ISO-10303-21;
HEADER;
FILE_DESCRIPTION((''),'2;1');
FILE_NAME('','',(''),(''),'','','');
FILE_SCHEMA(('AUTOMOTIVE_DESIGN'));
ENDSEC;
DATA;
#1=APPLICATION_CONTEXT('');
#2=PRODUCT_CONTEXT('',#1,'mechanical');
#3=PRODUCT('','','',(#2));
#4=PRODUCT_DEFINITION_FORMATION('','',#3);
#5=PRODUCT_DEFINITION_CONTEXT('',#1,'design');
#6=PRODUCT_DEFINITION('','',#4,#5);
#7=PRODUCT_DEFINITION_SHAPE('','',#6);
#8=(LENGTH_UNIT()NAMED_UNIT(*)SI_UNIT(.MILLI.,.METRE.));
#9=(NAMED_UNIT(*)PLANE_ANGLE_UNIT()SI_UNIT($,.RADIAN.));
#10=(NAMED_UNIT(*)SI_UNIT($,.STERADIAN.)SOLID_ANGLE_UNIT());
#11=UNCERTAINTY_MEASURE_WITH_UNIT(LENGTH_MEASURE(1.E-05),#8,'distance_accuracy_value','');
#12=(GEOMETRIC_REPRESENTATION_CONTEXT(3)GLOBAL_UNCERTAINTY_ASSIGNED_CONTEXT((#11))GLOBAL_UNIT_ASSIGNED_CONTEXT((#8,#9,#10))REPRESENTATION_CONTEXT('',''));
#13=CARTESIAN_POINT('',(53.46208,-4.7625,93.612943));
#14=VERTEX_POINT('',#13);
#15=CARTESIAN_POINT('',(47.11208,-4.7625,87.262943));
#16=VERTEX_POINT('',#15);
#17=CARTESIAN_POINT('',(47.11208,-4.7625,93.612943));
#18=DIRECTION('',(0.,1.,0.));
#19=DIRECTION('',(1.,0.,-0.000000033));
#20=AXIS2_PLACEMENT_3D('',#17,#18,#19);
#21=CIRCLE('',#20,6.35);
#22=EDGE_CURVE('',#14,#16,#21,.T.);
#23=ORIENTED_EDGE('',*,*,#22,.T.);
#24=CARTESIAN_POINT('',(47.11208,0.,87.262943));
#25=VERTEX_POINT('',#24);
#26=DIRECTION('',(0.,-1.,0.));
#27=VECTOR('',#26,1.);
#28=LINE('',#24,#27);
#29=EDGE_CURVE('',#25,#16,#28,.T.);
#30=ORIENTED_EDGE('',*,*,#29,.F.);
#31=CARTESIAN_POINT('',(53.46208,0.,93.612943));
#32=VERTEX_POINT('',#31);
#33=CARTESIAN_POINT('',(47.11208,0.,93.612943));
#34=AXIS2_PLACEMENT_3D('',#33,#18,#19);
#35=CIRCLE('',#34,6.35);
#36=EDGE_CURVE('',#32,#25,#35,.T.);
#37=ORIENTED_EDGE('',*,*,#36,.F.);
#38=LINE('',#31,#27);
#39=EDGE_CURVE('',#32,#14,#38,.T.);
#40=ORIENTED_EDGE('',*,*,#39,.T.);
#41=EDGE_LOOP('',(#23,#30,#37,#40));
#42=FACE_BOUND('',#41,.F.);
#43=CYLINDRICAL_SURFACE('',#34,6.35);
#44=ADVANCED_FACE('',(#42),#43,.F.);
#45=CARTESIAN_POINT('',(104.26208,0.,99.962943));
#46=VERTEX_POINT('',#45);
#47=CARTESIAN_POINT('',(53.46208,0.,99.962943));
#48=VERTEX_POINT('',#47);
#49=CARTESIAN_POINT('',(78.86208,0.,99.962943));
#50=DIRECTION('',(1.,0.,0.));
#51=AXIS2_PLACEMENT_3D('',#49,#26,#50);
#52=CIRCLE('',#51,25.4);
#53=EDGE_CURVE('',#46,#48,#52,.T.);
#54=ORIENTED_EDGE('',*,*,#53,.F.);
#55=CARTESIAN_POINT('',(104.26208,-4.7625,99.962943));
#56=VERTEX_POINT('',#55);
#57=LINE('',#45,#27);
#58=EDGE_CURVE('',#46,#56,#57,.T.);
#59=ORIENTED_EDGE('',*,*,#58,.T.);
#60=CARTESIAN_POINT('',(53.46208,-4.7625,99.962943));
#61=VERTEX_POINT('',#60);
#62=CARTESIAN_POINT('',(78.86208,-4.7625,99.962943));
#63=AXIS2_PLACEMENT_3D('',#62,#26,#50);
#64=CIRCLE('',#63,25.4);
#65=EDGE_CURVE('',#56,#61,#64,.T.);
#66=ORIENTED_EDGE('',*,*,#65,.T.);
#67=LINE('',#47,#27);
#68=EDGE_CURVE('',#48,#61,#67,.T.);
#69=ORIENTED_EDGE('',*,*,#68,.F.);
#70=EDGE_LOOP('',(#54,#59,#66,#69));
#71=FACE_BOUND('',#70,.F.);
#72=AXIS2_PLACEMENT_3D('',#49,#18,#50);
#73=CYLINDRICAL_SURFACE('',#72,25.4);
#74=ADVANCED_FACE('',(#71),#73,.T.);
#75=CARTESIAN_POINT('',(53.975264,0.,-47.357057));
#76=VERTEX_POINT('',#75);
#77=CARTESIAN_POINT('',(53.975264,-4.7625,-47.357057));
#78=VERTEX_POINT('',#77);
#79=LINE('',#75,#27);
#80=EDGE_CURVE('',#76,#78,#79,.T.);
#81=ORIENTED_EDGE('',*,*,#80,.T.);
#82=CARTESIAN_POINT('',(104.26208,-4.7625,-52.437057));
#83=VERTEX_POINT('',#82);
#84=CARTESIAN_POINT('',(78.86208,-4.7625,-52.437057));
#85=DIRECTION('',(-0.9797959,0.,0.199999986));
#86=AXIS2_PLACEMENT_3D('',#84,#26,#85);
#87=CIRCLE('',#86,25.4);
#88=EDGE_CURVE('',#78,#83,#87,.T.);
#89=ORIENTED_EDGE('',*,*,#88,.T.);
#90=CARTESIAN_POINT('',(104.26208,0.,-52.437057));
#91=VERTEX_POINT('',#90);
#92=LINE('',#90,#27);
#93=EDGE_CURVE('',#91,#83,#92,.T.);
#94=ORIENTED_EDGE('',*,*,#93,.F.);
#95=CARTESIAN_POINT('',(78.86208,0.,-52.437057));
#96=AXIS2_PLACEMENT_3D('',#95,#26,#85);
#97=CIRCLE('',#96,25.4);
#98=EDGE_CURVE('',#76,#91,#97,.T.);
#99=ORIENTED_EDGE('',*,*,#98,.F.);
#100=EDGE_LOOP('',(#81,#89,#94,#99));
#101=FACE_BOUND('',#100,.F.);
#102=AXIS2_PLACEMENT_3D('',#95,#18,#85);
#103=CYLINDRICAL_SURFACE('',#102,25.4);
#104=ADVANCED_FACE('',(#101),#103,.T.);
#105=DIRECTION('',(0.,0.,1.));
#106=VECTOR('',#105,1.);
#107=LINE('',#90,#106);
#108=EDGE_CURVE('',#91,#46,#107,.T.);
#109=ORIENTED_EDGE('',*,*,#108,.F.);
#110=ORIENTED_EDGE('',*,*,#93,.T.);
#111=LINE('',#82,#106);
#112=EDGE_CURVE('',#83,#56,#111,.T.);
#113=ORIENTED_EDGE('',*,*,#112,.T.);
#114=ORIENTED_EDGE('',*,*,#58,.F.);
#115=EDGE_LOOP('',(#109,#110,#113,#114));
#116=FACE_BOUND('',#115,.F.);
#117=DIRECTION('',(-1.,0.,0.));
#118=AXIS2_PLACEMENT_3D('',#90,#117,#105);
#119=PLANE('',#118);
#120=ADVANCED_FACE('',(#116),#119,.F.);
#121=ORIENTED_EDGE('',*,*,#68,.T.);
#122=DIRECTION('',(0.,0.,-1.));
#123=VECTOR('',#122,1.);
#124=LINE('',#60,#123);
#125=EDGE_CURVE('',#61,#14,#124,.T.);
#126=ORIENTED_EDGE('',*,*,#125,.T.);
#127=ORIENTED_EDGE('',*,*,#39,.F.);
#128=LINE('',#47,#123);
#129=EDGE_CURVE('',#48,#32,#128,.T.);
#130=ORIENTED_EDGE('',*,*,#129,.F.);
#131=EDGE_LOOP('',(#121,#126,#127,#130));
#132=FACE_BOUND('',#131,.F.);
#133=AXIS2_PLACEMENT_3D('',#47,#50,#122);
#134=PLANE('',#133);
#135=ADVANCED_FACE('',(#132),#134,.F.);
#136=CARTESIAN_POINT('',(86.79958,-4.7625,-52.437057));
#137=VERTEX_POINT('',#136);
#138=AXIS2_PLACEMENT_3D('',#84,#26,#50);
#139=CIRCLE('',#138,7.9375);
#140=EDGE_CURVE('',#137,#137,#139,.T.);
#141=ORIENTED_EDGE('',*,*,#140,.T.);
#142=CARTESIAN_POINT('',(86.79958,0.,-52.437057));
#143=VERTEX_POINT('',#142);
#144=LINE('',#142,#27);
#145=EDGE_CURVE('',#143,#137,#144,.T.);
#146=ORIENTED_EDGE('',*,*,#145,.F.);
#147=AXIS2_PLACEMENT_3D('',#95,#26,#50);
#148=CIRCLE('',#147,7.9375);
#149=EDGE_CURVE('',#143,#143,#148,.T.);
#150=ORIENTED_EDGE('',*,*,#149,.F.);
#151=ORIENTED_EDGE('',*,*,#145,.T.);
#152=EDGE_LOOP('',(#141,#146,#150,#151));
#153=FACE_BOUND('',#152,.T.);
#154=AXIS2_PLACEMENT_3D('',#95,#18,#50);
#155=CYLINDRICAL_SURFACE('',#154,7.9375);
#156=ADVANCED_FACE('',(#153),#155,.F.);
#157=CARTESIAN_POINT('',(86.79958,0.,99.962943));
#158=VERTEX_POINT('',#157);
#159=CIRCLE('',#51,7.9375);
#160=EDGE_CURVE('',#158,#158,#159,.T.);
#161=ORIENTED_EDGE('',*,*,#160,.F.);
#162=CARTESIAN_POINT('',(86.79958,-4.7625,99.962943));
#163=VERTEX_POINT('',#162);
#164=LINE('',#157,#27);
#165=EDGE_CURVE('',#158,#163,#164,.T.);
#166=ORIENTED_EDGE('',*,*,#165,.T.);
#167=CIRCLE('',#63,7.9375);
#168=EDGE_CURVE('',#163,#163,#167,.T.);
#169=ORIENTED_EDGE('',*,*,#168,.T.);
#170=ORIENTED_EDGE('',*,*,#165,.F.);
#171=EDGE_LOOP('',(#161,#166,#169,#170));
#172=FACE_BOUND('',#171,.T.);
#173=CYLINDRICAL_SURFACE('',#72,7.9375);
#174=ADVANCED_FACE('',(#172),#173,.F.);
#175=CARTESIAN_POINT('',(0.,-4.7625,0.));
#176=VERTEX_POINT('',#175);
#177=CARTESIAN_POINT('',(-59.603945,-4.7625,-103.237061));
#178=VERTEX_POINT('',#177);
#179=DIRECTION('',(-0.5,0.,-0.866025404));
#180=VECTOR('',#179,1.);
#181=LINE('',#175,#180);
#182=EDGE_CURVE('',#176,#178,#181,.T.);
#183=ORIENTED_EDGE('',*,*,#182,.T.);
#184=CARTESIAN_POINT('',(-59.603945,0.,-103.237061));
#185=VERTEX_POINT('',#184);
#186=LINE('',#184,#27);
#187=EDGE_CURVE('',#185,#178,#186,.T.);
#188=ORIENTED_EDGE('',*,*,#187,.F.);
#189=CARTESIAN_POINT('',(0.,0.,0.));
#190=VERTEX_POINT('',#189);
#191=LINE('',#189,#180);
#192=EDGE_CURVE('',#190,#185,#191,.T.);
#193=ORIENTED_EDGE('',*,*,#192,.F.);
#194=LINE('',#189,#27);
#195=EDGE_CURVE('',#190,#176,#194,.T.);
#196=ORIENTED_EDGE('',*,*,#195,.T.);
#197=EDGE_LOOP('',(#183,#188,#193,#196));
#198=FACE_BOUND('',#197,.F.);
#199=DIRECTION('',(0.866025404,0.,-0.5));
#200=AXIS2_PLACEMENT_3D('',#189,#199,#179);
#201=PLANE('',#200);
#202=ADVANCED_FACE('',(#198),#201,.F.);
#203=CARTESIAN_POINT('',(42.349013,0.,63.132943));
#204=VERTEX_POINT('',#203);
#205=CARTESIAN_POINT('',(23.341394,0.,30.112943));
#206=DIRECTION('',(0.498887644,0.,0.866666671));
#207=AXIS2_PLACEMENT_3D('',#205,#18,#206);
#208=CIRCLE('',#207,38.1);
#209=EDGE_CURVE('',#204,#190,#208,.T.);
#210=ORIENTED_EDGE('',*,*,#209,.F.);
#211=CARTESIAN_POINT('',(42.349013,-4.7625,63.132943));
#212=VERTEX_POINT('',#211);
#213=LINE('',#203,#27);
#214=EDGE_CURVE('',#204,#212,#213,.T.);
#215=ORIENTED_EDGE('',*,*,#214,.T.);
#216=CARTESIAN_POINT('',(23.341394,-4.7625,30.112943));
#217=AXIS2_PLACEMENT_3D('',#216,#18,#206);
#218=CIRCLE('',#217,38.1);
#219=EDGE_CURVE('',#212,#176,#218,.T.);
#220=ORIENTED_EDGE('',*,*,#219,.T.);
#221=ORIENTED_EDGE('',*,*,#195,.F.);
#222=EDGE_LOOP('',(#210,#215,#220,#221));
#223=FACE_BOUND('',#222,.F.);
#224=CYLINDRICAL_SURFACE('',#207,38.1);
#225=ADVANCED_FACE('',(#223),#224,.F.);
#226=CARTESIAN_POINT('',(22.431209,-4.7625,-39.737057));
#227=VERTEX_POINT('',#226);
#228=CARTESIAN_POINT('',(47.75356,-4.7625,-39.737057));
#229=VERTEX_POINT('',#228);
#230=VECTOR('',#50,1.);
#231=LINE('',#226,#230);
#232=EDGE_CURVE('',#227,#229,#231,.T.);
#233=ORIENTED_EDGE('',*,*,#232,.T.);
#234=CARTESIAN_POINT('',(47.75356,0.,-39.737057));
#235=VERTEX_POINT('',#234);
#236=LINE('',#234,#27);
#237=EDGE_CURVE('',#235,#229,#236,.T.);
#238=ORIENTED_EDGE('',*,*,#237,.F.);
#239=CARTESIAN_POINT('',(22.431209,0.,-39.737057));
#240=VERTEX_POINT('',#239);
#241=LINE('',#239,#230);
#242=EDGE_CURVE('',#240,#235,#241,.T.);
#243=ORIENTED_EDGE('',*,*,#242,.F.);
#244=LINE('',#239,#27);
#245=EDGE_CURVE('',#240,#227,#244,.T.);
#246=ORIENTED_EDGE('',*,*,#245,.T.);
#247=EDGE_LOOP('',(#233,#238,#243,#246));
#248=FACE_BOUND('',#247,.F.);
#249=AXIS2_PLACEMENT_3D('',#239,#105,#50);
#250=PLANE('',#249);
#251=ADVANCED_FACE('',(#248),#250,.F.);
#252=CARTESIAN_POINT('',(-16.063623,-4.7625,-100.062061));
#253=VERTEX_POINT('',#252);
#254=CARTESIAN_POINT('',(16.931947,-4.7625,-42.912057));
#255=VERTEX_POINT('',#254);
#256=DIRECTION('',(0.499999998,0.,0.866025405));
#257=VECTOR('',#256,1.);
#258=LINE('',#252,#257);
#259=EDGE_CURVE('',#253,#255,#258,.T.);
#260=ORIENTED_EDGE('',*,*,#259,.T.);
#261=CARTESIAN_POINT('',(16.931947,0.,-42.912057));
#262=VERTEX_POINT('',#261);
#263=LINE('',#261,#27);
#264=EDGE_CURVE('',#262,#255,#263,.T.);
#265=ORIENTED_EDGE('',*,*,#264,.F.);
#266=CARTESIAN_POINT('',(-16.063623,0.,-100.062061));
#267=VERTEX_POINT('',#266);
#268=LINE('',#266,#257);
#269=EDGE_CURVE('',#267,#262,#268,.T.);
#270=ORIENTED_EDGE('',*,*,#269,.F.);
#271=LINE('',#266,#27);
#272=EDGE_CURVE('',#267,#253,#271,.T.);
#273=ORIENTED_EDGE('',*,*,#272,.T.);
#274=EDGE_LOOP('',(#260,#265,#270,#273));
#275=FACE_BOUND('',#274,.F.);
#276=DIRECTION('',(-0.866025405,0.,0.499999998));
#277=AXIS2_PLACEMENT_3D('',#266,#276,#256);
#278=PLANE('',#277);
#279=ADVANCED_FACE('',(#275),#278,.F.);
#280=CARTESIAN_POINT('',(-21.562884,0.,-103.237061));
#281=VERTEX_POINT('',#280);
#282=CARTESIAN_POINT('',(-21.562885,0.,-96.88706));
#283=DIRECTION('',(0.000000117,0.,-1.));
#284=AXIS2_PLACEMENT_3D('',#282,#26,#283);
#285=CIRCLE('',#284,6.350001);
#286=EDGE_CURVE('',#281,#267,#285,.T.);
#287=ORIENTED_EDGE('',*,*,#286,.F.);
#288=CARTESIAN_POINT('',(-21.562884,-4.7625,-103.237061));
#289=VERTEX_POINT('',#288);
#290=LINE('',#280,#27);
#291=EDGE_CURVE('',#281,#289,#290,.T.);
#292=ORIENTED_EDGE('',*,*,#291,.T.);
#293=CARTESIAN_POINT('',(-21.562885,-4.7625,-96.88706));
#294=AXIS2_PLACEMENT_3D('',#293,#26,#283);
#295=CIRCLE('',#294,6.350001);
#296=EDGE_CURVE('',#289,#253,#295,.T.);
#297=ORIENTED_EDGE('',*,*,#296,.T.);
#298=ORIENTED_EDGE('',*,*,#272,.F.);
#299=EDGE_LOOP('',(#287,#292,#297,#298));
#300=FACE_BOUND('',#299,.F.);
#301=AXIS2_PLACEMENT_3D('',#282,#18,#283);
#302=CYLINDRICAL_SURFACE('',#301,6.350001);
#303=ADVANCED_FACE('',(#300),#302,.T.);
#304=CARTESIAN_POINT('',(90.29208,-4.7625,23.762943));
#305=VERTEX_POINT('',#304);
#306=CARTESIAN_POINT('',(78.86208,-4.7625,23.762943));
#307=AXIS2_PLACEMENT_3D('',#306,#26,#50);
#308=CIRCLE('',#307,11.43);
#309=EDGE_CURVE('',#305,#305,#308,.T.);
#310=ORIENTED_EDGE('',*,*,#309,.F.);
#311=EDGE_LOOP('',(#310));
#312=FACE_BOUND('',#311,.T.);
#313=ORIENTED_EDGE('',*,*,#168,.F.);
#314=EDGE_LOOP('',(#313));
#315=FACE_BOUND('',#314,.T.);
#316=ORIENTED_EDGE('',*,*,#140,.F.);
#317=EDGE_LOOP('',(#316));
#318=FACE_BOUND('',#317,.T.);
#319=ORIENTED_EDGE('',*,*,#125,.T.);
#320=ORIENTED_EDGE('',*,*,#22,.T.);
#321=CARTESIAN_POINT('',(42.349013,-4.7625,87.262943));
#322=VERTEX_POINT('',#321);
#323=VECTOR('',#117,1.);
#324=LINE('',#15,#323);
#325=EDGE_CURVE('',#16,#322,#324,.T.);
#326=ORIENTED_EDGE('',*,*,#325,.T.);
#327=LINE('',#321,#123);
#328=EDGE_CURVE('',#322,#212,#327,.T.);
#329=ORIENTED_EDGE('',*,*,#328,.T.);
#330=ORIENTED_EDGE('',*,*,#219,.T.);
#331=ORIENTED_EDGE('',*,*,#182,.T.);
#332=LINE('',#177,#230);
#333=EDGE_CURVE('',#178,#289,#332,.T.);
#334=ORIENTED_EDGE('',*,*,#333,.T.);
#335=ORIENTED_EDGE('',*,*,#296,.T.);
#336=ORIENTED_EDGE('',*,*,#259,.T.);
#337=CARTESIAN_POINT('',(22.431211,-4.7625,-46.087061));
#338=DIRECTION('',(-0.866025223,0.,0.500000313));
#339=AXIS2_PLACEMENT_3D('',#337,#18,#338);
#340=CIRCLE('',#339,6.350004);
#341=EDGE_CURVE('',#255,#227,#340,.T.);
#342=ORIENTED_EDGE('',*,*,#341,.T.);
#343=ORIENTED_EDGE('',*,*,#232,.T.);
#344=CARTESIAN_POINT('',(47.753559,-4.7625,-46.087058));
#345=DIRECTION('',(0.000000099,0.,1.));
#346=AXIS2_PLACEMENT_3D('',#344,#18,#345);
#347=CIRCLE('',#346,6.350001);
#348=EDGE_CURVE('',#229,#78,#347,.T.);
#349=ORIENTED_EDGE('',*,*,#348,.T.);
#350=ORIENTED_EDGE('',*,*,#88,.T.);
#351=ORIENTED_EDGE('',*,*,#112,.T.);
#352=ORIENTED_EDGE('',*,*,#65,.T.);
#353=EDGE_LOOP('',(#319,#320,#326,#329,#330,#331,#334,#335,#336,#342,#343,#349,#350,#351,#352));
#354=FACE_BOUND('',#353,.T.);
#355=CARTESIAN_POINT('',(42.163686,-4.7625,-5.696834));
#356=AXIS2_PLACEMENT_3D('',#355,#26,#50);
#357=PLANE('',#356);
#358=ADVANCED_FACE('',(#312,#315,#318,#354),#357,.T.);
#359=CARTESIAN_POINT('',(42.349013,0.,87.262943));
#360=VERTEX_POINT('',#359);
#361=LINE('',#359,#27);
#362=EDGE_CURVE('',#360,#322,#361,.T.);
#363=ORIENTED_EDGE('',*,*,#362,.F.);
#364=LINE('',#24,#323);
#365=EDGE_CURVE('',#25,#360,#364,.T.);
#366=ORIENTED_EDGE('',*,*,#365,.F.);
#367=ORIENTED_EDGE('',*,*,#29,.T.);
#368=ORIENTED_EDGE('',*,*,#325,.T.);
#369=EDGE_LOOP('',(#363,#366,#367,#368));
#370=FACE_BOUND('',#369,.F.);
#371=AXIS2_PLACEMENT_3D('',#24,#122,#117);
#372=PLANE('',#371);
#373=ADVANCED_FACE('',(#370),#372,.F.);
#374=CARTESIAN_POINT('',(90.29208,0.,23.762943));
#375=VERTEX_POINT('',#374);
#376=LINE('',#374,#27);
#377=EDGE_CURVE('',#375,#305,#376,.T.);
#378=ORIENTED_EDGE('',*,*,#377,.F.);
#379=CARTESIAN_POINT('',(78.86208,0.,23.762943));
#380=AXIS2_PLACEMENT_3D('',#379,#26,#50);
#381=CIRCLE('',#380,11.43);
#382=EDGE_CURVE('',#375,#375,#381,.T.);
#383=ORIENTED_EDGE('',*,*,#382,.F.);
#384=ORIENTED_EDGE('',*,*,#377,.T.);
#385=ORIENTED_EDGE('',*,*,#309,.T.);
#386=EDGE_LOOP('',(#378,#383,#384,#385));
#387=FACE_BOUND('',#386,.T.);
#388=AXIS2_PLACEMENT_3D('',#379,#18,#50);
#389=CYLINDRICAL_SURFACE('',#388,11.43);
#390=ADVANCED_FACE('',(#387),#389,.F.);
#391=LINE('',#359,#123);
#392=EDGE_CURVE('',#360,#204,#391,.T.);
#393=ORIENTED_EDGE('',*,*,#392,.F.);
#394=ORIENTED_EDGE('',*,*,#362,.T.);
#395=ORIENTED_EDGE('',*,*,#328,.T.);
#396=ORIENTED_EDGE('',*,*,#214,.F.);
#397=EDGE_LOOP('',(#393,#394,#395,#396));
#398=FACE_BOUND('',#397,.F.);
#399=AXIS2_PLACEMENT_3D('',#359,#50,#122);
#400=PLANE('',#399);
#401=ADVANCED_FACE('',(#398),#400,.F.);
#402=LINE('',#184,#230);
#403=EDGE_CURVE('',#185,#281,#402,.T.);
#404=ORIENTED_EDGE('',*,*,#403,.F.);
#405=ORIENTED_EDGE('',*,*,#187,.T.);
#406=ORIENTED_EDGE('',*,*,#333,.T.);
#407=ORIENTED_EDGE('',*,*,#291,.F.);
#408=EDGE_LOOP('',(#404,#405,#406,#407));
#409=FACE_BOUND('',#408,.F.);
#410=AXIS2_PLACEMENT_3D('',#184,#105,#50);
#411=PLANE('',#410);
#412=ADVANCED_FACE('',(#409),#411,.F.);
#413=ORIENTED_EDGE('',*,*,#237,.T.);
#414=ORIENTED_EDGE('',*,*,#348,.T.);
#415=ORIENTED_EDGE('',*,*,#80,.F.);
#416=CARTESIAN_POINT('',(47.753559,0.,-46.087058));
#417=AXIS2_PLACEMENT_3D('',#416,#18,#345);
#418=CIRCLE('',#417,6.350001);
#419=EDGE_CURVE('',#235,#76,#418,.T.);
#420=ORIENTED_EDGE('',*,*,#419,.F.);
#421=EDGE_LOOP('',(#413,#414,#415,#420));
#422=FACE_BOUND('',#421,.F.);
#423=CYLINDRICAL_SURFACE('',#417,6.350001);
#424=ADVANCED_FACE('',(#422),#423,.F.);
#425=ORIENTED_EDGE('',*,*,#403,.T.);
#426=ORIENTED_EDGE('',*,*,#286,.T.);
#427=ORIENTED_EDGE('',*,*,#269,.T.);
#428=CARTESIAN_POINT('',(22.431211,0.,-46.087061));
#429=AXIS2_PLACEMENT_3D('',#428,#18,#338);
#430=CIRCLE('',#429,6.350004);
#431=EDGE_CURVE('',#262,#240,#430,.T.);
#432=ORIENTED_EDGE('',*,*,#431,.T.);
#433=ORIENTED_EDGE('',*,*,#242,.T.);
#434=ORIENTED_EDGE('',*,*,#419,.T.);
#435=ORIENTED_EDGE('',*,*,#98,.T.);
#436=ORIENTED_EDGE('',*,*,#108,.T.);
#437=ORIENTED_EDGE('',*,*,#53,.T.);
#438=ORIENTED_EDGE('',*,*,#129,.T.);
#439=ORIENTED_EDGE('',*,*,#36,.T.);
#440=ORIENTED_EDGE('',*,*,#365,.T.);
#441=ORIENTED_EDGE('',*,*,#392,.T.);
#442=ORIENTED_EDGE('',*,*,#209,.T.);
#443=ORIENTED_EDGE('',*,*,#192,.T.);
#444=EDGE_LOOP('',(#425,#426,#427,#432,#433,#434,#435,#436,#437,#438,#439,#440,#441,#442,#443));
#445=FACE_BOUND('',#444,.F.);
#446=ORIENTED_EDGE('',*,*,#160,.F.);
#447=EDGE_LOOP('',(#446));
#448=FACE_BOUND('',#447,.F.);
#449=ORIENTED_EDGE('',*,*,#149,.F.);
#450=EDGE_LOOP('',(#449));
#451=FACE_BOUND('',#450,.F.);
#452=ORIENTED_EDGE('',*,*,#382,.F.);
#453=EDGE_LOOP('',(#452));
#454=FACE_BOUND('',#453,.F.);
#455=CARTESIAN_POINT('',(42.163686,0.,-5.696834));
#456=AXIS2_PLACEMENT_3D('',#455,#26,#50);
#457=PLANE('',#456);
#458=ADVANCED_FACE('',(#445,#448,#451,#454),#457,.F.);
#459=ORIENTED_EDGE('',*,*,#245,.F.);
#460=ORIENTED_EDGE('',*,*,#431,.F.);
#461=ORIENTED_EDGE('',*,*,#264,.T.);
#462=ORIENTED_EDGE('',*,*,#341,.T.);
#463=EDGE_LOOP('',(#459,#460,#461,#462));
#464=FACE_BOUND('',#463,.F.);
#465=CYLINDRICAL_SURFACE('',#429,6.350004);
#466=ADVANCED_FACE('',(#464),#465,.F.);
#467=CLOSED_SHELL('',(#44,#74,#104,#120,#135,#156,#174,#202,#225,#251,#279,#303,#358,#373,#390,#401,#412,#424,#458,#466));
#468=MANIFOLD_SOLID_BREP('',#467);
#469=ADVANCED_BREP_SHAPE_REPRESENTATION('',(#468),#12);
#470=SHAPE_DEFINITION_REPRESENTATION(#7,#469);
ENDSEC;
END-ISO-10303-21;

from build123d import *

# Parameters (mm, degrees)
F0_R     = 7.9375
F0_R_2   = 11.43
F1_DEPTH = 4.7625


with BuildPart() as f1:
    # F0 (on Front) → F1 (new body)
    with BuildSketch(Plane.XZ):
        with BuildLine():
            Line((47.11208, 87.262943), (42.349013, 87.262943))
            Line((42.349013, 87.262943), (42.349013, 63.132943))
            ThreePointArc((42.349013, 63.132943), (54.982151, 8.888606), (0, 0))
            Line((0, 0), (-59.603945, -103.237061))
            Line((-59.603945, -103.237061), (-21.562884, -103.237061))
            ThreePointArc((-21.562884, -103.237061), (-18.387884, -102.386322), (-16.063623, -100.062061))
            Line((-16.063623, -100.062061), (16.931947, -42.912057))
            ThreePointArc((16.931947, -42.912057), (19.256209, -40.587796), (22.431209, -39.737057))
            Line((22.431209, -39.737057), (47.75356, -39.737057))
            ThreePointArc((47.75356, -39.737057), (52.672249, -42.070965), (53.975264, -47.357057))
            ThreePointArc((53.975264, -47.357057), (76.309152, -77.708435), (104.26208, -52.437057))
            Line((104.26208, -52.437057), (104.26208, 99.962943))
            ThreePointArc((104.26208, 99.962943), (78.86208, 125.362943), (53.46208, 99.962943))
            Line((53.46208, 99.962943), (53.46208, 93.612943))
            ThreePointArc((53.46208, 93.612943), (51.602208, 89.122815), (47.11208, 87.262943))
        make_face()
        with Locations((78.86208, -52.437057)):
            Circle(F0_R, mode=Mode.SUBTRACT)
        with Locations((78.86208, 23.762943)):
            Circle(F0_R_2, mode=Mode.SUBTRACT)
        with Locations((78.86208, 99.962943)):
            Circle(F0_R, mode=Mode.SUBTRACT)
    extrude(amount=F1_DEPTH)


solid = f1.part
